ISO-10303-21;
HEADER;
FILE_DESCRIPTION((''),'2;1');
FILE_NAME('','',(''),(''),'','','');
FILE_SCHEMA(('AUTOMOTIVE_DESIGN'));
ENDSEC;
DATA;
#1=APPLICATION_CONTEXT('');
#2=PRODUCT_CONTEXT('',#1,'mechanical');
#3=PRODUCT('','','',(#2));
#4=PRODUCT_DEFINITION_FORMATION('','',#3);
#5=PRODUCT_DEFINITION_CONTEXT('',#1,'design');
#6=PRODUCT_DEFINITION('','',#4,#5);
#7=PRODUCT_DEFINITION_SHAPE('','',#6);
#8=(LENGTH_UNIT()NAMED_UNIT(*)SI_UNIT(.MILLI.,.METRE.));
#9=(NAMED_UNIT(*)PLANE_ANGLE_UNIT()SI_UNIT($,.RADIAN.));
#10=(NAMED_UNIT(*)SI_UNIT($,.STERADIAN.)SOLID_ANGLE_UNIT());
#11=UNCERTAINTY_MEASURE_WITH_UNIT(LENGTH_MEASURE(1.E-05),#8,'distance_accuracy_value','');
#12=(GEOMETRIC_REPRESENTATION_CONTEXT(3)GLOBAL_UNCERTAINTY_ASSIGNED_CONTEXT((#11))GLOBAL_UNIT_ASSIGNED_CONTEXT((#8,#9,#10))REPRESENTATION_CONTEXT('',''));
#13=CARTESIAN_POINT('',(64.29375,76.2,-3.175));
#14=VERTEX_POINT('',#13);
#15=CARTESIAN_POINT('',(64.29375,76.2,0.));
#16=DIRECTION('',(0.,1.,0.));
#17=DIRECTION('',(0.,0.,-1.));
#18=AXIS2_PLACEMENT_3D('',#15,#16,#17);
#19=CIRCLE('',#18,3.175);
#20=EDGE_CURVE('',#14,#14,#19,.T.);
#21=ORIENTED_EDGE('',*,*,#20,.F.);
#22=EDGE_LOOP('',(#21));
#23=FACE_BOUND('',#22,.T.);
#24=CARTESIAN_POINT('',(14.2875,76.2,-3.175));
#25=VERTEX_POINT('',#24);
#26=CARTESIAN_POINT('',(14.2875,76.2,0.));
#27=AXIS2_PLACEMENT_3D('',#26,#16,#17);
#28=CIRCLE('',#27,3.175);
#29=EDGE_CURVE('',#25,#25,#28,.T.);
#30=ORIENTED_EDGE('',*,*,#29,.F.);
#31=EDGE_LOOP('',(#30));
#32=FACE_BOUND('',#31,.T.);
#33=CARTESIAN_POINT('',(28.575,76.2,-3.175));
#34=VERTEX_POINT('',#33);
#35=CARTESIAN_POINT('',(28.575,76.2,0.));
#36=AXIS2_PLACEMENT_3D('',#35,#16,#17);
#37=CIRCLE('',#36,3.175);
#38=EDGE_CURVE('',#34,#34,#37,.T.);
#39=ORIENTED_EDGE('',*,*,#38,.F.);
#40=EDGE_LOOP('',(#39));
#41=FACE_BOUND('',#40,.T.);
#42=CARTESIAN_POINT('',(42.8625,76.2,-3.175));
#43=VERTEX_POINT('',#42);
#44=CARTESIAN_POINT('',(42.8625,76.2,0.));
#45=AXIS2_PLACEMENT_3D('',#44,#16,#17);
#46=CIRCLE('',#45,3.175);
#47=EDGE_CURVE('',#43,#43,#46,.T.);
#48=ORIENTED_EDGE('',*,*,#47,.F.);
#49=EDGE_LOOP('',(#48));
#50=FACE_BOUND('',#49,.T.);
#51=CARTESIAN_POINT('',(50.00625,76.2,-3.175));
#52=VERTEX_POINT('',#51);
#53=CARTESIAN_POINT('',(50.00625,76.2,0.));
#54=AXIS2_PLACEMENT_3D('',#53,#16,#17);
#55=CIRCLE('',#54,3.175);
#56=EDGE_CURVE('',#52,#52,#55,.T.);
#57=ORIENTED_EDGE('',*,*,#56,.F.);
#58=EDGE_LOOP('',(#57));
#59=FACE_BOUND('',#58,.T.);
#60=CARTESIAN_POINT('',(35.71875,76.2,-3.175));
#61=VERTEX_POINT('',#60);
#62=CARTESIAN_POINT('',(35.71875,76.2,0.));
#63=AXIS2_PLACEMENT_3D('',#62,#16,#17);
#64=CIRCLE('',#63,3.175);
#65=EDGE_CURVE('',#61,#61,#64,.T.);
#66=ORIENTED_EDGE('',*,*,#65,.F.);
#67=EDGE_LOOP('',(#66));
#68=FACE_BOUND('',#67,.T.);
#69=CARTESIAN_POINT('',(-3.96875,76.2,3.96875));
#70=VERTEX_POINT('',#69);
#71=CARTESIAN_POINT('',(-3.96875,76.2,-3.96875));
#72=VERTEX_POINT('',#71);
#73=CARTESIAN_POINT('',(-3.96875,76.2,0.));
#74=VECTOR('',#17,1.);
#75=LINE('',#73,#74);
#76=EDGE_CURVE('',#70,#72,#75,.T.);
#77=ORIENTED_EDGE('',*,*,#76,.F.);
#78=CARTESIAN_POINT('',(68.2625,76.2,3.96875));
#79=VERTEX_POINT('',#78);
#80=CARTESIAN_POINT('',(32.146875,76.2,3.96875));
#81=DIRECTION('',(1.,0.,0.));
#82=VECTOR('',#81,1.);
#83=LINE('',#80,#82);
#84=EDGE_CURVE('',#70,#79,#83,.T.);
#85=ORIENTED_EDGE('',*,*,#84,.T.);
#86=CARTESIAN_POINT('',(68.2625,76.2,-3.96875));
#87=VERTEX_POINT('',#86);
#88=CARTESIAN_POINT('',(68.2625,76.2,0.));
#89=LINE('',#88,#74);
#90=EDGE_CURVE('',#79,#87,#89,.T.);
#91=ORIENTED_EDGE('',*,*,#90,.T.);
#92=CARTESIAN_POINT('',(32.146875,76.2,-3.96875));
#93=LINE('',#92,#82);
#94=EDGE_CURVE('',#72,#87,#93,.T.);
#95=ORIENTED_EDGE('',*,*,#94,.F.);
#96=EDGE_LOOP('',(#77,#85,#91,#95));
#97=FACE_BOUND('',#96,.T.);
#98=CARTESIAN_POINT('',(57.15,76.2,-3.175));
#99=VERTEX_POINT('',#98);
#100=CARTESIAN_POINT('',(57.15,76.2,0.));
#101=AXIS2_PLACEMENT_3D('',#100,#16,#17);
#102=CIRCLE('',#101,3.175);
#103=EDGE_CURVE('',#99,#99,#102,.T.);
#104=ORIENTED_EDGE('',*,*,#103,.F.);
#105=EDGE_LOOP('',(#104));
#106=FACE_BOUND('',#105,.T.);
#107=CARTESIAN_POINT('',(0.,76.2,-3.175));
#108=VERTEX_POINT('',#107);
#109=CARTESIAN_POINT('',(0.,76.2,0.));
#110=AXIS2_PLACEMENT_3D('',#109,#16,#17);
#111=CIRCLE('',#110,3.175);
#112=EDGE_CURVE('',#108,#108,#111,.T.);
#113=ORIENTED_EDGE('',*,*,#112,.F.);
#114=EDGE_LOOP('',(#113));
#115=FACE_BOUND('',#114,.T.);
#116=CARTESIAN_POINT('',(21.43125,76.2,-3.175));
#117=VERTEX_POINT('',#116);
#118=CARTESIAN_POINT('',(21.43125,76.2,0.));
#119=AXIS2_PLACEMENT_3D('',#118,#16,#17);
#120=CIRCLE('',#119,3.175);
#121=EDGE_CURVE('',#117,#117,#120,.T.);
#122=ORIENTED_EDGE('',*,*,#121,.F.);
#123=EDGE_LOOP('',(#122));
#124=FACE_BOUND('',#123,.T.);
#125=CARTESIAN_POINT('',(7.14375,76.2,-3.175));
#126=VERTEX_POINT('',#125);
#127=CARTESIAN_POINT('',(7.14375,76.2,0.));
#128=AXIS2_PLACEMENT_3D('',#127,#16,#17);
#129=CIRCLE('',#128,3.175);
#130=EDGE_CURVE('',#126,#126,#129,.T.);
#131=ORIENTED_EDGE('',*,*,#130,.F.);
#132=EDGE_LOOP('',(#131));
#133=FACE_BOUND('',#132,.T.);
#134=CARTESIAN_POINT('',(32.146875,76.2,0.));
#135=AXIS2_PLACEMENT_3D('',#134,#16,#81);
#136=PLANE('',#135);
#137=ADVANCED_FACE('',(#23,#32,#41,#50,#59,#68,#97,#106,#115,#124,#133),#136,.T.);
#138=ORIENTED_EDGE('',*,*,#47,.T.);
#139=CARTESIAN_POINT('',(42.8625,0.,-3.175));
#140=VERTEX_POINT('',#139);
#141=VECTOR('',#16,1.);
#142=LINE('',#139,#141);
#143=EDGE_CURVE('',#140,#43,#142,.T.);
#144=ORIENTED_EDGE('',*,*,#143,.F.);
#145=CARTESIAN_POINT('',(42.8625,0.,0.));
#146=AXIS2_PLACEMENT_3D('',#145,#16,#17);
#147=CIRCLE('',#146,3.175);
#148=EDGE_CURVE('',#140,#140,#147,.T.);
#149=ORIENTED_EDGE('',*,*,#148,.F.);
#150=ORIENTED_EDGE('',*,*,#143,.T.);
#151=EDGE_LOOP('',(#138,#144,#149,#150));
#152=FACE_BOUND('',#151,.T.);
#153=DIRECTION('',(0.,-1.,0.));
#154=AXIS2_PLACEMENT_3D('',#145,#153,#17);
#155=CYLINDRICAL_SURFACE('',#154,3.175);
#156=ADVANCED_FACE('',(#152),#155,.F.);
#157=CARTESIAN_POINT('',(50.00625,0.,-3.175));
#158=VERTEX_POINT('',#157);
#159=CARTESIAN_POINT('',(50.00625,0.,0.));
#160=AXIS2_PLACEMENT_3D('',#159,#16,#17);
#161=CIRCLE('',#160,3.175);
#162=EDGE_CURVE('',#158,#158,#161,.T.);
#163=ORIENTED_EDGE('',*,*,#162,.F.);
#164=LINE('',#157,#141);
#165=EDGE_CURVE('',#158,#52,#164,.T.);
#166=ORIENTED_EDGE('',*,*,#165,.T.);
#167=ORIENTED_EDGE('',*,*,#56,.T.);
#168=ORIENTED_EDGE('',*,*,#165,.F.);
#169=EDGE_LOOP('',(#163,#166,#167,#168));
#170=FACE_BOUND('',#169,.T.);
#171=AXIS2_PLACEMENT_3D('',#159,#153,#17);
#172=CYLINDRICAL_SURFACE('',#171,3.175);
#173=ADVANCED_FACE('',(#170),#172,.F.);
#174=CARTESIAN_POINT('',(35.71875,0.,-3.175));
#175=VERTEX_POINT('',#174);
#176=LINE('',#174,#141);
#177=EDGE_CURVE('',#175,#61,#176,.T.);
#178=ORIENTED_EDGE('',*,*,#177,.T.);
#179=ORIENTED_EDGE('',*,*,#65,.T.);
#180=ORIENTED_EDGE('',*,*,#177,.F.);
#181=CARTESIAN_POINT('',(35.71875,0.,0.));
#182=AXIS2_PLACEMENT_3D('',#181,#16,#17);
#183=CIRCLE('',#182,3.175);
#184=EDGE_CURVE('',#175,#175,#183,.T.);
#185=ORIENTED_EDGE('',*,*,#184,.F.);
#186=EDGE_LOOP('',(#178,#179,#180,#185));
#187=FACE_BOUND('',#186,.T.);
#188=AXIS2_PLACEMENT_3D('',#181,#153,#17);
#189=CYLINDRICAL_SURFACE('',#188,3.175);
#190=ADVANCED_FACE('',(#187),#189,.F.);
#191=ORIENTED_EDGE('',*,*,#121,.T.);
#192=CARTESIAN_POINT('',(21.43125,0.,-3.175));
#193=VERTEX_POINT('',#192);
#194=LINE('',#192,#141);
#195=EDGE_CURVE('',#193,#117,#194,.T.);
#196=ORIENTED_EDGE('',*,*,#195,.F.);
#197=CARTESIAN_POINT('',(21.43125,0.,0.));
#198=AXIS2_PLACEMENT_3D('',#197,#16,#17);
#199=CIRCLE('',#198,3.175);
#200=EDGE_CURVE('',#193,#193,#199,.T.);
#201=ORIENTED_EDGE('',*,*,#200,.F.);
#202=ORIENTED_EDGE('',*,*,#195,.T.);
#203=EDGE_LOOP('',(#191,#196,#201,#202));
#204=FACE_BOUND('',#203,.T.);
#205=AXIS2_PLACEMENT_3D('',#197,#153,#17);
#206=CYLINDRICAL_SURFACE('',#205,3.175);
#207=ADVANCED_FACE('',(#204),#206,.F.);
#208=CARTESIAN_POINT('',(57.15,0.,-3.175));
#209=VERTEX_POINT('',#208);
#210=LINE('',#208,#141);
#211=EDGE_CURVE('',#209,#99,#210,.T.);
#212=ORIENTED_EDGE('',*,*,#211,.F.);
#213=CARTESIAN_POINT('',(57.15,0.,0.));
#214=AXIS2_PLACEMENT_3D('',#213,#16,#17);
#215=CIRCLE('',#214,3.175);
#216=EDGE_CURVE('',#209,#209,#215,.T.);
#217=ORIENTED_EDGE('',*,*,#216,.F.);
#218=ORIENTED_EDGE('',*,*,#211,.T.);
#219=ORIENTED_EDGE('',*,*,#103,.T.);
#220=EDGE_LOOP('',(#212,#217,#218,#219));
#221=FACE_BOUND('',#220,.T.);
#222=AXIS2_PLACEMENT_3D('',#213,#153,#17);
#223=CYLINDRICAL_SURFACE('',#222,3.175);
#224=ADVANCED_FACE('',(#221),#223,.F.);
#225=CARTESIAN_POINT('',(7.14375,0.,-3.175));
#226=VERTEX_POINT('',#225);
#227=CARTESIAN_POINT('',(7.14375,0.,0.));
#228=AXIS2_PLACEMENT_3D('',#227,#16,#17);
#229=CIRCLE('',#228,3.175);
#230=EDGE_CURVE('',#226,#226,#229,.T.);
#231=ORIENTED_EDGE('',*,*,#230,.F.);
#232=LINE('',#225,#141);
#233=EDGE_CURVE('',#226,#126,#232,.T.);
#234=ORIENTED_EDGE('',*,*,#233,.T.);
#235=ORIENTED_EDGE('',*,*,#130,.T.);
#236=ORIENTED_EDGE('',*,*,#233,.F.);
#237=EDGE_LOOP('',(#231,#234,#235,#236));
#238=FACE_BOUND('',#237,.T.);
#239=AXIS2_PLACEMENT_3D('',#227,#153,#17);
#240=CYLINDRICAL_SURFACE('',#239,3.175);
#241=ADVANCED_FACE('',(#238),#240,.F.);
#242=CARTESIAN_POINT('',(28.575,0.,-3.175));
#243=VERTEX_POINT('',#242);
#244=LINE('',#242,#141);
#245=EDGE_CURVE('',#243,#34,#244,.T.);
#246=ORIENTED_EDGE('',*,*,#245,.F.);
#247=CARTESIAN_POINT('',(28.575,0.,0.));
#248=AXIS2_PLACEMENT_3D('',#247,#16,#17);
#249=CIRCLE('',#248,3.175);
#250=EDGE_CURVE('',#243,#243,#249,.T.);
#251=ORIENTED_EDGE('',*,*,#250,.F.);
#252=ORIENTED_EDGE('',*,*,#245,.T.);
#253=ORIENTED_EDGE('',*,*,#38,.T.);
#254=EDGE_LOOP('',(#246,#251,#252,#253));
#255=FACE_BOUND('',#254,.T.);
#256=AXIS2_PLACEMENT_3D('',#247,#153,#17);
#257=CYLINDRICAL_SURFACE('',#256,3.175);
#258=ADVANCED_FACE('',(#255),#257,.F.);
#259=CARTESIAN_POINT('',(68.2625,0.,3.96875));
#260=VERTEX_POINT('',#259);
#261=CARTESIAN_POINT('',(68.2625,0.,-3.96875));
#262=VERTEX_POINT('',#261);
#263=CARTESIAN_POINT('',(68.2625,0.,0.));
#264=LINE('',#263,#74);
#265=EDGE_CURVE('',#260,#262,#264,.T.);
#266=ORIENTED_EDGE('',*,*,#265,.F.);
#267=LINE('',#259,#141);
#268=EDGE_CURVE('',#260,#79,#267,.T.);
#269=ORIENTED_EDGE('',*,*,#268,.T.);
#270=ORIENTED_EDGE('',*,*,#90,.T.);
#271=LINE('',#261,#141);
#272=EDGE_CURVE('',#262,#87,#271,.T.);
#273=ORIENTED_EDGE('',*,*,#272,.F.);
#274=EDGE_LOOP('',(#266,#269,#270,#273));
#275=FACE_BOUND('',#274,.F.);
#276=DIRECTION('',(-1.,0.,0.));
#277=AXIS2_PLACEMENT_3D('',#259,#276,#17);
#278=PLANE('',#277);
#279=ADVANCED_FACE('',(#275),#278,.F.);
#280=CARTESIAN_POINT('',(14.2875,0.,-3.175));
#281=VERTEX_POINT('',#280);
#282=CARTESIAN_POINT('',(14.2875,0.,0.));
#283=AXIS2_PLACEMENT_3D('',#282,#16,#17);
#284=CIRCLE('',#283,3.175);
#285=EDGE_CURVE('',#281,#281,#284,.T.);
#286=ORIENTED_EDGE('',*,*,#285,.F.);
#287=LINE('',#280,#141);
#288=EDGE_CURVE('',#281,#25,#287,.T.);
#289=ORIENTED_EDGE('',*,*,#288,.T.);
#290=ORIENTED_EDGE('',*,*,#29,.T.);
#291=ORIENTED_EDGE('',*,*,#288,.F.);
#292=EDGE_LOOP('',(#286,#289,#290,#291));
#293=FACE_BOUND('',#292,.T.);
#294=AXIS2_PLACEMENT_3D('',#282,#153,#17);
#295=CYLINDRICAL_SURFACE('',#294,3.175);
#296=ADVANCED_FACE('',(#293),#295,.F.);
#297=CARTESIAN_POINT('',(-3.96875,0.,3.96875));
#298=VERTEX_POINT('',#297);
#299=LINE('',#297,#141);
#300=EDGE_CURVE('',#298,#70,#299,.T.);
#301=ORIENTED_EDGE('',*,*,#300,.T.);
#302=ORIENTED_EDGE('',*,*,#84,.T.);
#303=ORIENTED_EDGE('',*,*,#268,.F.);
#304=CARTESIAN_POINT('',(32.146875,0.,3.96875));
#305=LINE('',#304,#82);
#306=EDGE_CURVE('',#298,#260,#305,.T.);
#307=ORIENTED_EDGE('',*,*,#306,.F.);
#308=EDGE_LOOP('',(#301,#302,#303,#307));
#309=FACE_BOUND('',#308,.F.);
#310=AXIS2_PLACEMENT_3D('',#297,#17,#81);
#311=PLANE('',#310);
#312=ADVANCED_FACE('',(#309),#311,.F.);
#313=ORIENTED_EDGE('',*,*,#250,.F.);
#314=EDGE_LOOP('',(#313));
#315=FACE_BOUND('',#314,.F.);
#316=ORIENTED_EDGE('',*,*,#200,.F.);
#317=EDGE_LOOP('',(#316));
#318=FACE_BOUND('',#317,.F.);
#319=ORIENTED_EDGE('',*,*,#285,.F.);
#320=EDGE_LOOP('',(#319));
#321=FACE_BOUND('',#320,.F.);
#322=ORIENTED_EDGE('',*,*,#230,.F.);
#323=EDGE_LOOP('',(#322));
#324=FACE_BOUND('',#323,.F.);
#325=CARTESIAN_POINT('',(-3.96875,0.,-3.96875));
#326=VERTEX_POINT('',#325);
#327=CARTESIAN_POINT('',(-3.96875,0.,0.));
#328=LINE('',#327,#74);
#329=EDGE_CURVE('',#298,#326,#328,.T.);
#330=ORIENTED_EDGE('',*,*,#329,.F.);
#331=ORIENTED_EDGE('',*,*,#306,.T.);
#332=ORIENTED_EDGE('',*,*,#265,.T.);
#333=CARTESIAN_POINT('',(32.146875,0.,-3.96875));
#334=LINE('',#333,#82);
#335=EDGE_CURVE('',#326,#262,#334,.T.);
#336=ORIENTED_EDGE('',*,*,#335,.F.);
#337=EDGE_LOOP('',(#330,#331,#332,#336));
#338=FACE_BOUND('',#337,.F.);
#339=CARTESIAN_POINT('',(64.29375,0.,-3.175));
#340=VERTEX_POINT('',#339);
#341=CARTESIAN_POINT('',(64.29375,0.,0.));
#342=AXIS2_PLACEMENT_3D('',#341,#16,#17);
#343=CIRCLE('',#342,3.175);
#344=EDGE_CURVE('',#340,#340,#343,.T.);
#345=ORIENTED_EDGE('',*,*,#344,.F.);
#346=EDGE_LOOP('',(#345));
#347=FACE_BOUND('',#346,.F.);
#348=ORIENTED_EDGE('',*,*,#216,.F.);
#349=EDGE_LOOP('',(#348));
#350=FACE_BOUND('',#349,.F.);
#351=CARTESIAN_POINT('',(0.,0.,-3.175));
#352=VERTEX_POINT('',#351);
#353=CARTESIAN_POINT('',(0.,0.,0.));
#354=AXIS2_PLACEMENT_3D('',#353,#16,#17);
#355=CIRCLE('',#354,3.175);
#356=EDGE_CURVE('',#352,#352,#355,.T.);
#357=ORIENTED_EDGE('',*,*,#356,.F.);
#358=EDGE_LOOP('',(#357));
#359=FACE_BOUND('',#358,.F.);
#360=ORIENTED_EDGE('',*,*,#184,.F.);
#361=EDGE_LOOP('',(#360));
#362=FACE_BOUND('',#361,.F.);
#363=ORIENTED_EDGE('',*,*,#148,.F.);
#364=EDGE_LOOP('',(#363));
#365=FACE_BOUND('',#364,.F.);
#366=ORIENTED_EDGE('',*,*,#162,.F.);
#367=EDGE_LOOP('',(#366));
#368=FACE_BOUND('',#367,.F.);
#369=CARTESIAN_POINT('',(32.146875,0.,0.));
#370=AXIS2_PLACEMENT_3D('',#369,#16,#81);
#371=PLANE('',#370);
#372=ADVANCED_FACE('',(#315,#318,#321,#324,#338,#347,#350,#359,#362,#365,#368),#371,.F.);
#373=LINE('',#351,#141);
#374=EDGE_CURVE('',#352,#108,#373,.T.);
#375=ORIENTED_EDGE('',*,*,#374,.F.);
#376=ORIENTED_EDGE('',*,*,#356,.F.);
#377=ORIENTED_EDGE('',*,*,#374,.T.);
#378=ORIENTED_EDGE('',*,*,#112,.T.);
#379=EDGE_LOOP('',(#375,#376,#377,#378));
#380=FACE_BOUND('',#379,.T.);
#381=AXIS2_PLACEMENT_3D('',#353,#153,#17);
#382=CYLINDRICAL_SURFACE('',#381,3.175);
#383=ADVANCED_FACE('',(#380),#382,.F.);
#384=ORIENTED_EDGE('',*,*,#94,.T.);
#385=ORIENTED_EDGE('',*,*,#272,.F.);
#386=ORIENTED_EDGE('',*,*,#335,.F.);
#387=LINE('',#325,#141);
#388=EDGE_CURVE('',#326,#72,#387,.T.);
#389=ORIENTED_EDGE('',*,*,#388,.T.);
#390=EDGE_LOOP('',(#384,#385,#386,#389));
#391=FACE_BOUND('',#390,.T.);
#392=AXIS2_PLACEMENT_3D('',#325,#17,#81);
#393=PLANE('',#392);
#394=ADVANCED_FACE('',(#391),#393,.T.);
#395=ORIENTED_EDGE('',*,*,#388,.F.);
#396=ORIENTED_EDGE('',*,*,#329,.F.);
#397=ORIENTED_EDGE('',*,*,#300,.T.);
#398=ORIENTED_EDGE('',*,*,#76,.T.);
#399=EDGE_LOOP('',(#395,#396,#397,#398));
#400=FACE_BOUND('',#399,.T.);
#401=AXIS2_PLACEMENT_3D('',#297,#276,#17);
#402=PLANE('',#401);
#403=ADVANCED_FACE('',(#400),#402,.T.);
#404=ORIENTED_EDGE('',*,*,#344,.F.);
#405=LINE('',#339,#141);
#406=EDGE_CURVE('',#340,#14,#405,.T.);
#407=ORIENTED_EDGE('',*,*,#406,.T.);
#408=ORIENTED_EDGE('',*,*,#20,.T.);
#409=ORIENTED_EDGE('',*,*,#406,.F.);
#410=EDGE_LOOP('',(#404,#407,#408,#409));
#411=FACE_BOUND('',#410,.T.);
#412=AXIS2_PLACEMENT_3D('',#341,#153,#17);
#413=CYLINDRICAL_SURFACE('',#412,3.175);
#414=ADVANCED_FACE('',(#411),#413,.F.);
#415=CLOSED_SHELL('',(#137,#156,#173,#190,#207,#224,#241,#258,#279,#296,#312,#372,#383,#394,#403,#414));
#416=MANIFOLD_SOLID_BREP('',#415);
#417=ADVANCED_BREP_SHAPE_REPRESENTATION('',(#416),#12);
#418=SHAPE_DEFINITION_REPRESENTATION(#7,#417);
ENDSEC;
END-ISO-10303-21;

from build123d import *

# Parameters (mm, degrees)
SKETCH1_W           = 72.23125
SKETCH1_H           = 7.9375
SKETCH1_R           = 3.175
BOSS_EXTRUDE1_DEPTH = 76.2


with BuildPart() as part:
    # Sketch1 → Boss-Extrude1 (new body)
    with BuildSketch(Plane(origin=(0, 0, 0), x_dir=(1, 0, 0), z_dir=(0, 1, 0))):
        with Locations((32.146875, 0)):
            Rectangle(SKETCH1_W, SKETCH1_H)
        with Locations(Location((0, 0, 0), (0, 0, 90))):
            Circle(SKETCH1_R, mode=Mode.SUBTRACT)
        with Locations(Location((7.14375, 0, 0), (0, 0, 90))):
            Circle(SKETCH1_R, mode=Mode.SUBTRACT)
        with Locations(Location((14.2875, 0, 0), (0, 0, 90))):
            Circle(SKETCH1_R, mode=Mode.SUBTRACT)
        with Locations(Location((21.43125, 0, 0), (0, 0, 90))):
            Circle(SKETCH1_R, mode=Mode.SUBTRACT)
        with Locations(Location((28.575, 0, 0), (0, 0, 90))):
            Circle(SKETCH1_R, mode=Mode.SUBTRACT)
        with Locations(Location((35.71875, 0, 0), (0, 0, 90))):
            Circle(SKETCH1_R, mode=Mode.SUBTRACT)
        with Locations(Location((42.8625, 0, 0), (0, 0, 90))):
            Circle(SKETCH1_R, mode=Mode.SUBTRACT)
        with Locations(Location((50.00625, 0, 0), (0, 0, 90))):
            Circle(SKETCH1_R, mode=Mode.SUBTRACT)
        with Locations(Location((57.15, 0, 0), (0, 0, 90))):
            Circle(SKETCH1_R, mode=Mode.SUBTRACT)
        with Locations(Location((64.29375, 0, 0), (0, 0, 90))):
            Circle(SKETCH1_R, mode=Mode.SUBTRACT)
    extrude(amount=BOSS_EXTRUDE1_DEPTH)


solid = part.part
